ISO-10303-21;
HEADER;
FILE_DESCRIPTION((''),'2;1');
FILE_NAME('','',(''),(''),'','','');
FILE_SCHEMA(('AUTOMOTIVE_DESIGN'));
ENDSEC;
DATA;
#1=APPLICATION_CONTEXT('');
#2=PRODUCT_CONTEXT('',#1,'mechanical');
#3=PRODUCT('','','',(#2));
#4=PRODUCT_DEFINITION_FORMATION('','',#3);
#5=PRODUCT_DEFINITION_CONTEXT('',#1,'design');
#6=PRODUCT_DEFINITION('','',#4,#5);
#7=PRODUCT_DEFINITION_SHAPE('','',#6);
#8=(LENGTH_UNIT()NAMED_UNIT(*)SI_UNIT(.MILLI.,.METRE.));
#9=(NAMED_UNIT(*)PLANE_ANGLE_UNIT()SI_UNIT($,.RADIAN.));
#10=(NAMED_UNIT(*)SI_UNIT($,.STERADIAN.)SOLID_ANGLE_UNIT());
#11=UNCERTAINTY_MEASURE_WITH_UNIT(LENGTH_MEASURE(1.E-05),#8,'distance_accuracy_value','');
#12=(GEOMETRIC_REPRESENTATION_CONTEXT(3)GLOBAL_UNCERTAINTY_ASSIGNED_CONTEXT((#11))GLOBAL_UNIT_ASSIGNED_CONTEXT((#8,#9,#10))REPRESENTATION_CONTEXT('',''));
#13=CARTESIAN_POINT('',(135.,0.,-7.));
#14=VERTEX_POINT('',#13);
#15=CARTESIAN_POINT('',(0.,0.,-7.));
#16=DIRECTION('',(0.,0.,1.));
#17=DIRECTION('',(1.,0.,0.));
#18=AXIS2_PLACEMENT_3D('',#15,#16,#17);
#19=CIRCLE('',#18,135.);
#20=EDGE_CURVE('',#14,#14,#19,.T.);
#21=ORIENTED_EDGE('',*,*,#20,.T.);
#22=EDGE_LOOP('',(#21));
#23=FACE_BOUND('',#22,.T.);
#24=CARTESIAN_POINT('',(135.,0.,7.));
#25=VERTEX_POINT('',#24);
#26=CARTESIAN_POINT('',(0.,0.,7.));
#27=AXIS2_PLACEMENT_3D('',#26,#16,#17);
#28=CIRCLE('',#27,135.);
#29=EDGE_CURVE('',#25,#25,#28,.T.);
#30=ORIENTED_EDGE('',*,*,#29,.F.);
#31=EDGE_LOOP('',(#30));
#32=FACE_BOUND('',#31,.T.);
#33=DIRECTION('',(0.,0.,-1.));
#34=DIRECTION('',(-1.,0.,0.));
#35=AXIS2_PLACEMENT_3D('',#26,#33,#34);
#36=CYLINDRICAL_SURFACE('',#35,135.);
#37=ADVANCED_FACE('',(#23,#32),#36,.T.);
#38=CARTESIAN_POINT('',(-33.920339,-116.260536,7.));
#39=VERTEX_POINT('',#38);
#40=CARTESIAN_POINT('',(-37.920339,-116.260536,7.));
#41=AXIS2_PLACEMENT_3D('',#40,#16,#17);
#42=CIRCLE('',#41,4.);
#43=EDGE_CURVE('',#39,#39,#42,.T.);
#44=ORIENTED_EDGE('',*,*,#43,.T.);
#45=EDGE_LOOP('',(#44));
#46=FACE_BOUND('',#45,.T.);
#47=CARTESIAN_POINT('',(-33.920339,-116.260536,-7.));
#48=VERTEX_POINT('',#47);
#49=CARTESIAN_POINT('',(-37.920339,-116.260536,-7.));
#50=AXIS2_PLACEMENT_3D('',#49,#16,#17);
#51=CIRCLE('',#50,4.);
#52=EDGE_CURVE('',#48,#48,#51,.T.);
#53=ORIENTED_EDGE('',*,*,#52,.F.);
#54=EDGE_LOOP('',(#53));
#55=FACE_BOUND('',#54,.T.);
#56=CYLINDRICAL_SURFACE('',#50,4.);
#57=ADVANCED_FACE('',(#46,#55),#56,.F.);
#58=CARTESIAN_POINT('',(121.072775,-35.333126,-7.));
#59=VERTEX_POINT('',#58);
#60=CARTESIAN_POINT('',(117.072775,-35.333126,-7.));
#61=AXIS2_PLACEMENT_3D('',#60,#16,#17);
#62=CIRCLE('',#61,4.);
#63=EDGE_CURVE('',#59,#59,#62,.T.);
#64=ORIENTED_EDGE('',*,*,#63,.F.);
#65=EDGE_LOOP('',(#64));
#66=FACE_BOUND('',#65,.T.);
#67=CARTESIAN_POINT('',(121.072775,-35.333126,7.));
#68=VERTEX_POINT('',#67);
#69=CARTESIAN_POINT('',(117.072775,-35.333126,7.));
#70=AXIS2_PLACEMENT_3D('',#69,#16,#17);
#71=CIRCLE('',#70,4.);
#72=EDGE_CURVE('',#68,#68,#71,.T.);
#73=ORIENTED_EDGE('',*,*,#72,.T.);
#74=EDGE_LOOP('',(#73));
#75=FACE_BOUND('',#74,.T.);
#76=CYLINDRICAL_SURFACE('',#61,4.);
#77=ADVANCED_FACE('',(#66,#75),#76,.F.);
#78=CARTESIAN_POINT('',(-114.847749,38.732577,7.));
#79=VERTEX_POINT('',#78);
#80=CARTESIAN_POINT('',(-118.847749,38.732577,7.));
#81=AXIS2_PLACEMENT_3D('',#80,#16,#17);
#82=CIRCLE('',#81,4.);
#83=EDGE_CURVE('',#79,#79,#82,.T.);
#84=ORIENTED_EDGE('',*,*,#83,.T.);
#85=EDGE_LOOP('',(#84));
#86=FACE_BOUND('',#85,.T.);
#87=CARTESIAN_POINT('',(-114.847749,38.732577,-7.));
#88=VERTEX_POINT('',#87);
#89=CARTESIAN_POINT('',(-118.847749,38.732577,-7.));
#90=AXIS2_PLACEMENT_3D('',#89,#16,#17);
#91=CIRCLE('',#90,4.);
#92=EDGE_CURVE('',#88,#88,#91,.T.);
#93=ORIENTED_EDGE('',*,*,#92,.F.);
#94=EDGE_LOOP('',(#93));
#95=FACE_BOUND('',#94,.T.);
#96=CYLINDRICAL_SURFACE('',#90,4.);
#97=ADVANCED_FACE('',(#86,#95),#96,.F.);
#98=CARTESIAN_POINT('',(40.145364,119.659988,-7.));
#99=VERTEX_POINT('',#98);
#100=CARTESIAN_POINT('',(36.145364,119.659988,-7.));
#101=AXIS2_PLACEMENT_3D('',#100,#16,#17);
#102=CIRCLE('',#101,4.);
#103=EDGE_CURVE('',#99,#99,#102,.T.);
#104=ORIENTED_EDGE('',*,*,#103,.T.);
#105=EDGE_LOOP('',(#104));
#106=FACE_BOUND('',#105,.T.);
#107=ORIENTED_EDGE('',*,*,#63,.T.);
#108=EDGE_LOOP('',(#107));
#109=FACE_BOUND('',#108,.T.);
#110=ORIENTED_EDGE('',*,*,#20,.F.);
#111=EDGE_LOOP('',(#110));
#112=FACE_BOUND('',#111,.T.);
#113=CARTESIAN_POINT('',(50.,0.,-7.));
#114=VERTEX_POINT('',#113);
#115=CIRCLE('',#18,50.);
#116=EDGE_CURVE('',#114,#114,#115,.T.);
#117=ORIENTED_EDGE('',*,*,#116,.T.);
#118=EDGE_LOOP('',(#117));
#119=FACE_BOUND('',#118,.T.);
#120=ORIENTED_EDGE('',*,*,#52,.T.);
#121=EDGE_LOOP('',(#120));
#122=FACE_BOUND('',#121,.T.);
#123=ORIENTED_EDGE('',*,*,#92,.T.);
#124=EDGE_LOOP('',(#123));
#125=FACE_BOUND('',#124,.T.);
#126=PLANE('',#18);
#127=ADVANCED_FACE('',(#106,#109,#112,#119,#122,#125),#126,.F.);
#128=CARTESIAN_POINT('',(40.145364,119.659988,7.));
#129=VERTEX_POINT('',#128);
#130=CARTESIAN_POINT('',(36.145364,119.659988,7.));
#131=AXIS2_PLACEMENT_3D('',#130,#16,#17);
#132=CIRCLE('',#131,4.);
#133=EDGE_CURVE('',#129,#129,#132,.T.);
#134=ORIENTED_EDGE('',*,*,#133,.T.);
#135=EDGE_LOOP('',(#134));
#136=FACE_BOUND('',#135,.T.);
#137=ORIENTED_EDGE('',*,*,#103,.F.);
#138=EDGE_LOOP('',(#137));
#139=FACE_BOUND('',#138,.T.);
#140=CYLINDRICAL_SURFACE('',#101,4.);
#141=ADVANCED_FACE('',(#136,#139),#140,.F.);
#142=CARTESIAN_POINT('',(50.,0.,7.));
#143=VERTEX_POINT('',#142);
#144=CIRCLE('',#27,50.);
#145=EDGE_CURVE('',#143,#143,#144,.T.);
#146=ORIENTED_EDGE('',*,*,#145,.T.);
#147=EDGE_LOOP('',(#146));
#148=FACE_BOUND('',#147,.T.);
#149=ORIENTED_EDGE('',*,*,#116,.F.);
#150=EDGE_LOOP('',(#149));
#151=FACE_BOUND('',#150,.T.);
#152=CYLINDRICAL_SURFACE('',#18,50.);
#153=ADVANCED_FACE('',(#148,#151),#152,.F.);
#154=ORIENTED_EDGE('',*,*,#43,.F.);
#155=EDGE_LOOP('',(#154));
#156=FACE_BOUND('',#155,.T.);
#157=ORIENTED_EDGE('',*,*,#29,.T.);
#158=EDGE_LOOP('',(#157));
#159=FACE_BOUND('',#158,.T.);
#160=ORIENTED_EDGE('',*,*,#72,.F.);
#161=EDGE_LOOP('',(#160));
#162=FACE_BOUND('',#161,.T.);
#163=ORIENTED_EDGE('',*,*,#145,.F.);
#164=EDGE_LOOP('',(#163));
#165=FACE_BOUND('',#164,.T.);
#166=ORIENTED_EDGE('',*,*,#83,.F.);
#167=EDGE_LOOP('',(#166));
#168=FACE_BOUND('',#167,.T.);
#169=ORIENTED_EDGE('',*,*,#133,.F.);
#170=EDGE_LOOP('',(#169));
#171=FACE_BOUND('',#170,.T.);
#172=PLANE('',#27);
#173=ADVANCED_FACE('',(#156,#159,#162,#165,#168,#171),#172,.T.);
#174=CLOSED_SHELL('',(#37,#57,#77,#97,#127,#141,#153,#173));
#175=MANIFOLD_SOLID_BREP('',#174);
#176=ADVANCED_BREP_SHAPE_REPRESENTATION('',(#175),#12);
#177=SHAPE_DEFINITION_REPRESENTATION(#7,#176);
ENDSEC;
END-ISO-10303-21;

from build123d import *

# Parameters (mm, degrees)
SCHIZZO1_R        = 135
ESTRUSIONE1_DEPTH = 7
SCHIZZO2_R        = 50
SCHIZZO2_R_2      = 4
ESTRUSIONE2_DEPTH = 192.431449872


with BuildPart() as part:
    # Schizzo1 → Estrusione1 (new, symmetric)
    with BuildSketch(Plane.XY):
        Circle(SCHIZZO1_R)
    extrude(amount=ESTRUSIONE1_DEPTH, both=True)

    # Schizzo2 → Estrusione2 (cut, through all)
    with BuildSketch(Plane.XY.offset(7)):
        Circle(SCHIZZO2_R)
        with Locations((-118.84774905, 38.732577319)):
            Circle(SCHIZZO2_R_2)
        with Locations((36.145364343, 119.659987617)):
            Circle(SCHIZZO2_R_2)
        with Locations((117.072774642, -35.333125777)):
            Circle(SCHIZZO2_R_2)
        with Locations((-37.920338752, -116.260536075)):
            Circle(SCHIZZO2_R_2)
    extrude(amount=-ESTRUSIONE2_DEPTH, mode=Mode.SUBTRACT)


solid = part.part
